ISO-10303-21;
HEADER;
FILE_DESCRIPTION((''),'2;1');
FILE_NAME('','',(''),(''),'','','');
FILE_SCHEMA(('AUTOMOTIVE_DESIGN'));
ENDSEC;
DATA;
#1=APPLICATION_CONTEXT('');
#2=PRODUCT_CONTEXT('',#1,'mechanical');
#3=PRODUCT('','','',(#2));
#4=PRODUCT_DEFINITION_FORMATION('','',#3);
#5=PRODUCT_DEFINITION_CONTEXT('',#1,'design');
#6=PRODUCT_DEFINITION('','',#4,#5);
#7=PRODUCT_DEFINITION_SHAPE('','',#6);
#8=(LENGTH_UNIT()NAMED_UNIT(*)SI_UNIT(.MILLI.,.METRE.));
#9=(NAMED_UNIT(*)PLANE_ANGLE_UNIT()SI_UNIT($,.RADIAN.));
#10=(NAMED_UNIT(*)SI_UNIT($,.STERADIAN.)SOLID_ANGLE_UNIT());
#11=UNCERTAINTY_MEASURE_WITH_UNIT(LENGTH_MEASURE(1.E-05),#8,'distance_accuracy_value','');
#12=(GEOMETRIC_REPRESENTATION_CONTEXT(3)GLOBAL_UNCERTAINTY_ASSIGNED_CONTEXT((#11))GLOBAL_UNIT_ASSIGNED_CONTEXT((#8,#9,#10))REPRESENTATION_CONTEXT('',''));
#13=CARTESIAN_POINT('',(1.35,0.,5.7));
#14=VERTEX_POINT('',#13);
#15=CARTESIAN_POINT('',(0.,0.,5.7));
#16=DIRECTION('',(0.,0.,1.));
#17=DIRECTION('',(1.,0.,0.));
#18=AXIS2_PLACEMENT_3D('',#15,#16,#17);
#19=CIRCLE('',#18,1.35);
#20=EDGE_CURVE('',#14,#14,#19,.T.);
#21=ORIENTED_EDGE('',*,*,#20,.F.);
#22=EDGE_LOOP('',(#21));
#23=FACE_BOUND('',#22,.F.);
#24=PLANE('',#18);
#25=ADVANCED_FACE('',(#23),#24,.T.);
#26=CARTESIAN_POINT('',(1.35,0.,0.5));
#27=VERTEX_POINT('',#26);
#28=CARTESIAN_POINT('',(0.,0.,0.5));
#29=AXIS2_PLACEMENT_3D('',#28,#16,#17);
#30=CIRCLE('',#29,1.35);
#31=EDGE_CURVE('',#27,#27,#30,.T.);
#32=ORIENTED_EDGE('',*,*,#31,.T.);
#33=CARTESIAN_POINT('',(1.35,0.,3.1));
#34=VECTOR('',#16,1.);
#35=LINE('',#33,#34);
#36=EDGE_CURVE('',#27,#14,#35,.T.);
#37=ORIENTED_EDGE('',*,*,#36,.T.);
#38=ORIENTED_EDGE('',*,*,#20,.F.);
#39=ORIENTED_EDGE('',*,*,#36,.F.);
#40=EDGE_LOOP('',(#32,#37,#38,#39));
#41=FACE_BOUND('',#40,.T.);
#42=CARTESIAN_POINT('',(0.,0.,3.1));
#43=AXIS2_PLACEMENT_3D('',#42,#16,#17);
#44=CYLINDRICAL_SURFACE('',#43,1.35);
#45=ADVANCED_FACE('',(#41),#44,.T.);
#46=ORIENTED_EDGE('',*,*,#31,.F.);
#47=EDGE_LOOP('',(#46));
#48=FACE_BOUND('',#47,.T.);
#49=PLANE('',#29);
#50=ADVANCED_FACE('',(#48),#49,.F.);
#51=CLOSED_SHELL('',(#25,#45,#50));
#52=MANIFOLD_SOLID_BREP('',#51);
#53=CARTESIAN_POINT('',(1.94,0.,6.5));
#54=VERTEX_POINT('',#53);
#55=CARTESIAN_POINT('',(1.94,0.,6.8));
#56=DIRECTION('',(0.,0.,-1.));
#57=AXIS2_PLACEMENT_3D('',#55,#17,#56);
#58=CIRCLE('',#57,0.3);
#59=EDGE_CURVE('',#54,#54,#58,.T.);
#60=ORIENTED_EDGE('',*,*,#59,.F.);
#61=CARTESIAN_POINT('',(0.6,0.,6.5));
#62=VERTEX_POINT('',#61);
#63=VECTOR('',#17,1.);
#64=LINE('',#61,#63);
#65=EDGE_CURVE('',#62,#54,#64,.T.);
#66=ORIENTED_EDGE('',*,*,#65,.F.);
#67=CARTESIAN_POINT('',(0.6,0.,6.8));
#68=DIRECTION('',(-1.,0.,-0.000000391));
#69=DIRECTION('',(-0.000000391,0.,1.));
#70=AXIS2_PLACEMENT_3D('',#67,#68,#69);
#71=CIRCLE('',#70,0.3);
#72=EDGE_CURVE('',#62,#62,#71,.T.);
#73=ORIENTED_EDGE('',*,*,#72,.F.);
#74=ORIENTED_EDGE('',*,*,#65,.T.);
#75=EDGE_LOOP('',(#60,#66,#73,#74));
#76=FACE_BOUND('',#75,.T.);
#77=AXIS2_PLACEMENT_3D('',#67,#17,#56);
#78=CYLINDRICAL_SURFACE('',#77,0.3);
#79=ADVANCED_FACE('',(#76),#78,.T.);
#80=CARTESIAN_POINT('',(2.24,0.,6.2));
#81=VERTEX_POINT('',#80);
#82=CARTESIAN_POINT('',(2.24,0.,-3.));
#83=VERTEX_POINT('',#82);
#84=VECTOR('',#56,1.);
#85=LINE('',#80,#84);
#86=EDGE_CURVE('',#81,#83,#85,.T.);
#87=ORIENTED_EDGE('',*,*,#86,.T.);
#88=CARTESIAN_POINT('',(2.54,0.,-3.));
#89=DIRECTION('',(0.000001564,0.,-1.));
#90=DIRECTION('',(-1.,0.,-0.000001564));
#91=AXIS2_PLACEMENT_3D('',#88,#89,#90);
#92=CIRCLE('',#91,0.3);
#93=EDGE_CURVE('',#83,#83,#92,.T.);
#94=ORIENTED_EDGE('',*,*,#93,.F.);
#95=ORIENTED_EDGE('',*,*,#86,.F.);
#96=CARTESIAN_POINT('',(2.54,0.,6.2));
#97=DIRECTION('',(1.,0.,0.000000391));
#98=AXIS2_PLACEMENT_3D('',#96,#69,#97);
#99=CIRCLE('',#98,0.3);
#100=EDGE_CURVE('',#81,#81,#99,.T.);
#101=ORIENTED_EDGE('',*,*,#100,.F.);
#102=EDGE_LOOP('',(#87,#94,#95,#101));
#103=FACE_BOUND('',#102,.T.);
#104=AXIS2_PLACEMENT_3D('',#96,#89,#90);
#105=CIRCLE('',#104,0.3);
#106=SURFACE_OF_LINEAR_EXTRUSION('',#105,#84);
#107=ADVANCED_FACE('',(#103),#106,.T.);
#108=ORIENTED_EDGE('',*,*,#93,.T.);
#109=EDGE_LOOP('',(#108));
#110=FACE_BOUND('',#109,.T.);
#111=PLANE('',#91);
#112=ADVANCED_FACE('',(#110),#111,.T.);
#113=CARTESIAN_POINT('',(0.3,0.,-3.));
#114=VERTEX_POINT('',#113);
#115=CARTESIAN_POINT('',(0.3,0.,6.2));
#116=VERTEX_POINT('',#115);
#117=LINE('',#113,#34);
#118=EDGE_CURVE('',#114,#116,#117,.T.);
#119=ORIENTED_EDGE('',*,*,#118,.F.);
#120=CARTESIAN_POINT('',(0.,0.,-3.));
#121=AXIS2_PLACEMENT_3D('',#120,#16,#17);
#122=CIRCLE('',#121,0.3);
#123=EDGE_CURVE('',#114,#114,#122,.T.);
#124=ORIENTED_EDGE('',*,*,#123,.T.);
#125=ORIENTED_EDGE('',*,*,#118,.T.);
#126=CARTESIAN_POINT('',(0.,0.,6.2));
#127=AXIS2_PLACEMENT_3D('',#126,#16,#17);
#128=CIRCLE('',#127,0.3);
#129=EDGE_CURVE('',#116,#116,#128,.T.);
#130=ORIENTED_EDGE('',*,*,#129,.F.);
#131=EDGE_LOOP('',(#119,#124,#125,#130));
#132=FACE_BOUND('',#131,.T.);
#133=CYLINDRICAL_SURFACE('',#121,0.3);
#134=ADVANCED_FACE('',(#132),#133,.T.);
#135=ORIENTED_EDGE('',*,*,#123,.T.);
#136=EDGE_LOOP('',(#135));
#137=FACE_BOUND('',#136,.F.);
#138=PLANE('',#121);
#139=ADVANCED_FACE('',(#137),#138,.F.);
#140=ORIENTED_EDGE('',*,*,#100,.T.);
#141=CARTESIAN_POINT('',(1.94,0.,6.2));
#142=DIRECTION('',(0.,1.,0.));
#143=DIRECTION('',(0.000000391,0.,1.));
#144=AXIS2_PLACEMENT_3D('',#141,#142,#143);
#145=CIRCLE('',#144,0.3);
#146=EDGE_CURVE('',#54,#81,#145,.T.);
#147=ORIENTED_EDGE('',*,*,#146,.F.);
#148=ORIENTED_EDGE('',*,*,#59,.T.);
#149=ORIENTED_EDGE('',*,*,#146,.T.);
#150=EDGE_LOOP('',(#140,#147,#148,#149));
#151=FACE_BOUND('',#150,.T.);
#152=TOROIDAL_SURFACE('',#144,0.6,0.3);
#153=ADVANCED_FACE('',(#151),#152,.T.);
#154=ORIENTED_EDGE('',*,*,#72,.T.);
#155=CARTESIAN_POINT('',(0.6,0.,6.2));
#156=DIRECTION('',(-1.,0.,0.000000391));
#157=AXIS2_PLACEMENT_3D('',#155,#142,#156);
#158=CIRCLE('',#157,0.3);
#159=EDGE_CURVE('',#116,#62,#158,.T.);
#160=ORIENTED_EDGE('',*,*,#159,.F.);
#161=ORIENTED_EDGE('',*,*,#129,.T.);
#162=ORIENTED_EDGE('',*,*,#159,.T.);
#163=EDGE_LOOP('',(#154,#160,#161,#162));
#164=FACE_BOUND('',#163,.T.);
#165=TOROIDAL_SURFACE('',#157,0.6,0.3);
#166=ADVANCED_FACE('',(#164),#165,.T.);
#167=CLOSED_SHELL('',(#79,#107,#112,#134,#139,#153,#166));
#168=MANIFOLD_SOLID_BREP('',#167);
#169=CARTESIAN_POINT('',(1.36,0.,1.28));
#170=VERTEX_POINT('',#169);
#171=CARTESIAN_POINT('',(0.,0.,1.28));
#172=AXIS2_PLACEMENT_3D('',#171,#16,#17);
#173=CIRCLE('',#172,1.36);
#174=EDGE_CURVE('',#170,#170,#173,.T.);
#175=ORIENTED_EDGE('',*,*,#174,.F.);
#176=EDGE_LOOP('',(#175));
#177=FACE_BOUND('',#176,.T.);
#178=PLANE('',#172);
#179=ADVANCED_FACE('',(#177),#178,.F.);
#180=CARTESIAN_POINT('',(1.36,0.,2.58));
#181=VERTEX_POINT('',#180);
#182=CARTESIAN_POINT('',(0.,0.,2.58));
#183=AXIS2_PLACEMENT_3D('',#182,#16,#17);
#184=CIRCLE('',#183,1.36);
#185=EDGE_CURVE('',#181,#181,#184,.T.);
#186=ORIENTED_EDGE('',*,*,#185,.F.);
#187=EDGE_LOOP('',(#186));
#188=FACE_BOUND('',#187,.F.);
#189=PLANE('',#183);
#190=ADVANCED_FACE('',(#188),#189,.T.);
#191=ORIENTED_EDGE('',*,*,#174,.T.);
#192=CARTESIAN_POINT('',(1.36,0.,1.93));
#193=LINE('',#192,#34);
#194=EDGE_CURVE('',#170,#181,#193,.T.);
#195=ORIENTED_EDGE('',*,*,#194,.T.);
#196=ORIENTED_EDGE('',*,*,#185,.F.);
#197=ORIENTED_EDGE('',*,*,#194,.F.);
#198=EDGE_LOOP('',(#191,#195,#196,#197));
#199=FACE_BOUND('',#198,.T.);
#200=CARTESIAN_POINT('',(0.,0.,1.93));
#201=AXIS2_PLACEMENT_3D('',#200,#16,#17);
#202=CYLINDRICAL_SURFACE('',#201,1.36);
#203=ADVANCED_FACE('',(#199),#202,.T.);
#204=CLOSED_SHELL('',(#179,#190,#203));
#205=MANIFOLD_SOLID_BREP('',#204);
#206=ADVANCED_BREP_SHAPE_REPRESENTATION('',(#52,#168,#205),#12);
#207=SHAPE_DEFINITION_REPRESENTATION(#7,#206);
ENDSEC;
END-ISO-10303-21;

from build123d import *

# Parameters (mm, degrees)
SKETCH001_R = 0.3
SKETCH002_W = 1.35
SKETCH002_H = 5.2
SKETCH003_W = 1.36
SKETCH003_H = 1.3


with BuildPart() as sweep_body:
    # Sweep: sweep along a path in Sketch
    with BuildLine(Plane.XZ) as sweep_path:
        Line((0, -3), (0, 6.2))
        ThreePointArc((0, 6.2), (0.175736, 6.624264), (0.6, 6.8))
        Line((0.6, 6.8), (1.94, 6.8))
        ThreePointArc((1.94, 6.8), (2.364264, 6.624264), (2.54, 6.2))
        Line((2.54, 6.2), (2.54, -3))
    # Sketch001 → Sweep (sweep)
    with BuildSketch(Plane.XY):
        Circle(SKETCH001_R)
    sweep(path=sweep_path.line)


with BuildPart() as revolution:
    # Sketch002 → Revolution (revolve)
    with BuildSketch(Plane.XZ):
        with Locations((0.675, 3.1)):
            Rectangle(SKETCH002_W, SKETCH002_H)
    revolve(axis=Axis((0, 0, 0.5), (0, 0, 1)))


with BuildPart() as revolution001:
    # Sketch003 → Revolution001 (revolve)
    with BuildSketch(Plane.XZ):
        with Locations((0.68, 1.93)):
            Rectangle(SKETCH003_W, SKETCH003_H)
    revolve(axis=Axis((0, 0, 0), (0, 0, 1)))


solid = Compound([sweep_body.part, revolution.part, revolution001.part])
